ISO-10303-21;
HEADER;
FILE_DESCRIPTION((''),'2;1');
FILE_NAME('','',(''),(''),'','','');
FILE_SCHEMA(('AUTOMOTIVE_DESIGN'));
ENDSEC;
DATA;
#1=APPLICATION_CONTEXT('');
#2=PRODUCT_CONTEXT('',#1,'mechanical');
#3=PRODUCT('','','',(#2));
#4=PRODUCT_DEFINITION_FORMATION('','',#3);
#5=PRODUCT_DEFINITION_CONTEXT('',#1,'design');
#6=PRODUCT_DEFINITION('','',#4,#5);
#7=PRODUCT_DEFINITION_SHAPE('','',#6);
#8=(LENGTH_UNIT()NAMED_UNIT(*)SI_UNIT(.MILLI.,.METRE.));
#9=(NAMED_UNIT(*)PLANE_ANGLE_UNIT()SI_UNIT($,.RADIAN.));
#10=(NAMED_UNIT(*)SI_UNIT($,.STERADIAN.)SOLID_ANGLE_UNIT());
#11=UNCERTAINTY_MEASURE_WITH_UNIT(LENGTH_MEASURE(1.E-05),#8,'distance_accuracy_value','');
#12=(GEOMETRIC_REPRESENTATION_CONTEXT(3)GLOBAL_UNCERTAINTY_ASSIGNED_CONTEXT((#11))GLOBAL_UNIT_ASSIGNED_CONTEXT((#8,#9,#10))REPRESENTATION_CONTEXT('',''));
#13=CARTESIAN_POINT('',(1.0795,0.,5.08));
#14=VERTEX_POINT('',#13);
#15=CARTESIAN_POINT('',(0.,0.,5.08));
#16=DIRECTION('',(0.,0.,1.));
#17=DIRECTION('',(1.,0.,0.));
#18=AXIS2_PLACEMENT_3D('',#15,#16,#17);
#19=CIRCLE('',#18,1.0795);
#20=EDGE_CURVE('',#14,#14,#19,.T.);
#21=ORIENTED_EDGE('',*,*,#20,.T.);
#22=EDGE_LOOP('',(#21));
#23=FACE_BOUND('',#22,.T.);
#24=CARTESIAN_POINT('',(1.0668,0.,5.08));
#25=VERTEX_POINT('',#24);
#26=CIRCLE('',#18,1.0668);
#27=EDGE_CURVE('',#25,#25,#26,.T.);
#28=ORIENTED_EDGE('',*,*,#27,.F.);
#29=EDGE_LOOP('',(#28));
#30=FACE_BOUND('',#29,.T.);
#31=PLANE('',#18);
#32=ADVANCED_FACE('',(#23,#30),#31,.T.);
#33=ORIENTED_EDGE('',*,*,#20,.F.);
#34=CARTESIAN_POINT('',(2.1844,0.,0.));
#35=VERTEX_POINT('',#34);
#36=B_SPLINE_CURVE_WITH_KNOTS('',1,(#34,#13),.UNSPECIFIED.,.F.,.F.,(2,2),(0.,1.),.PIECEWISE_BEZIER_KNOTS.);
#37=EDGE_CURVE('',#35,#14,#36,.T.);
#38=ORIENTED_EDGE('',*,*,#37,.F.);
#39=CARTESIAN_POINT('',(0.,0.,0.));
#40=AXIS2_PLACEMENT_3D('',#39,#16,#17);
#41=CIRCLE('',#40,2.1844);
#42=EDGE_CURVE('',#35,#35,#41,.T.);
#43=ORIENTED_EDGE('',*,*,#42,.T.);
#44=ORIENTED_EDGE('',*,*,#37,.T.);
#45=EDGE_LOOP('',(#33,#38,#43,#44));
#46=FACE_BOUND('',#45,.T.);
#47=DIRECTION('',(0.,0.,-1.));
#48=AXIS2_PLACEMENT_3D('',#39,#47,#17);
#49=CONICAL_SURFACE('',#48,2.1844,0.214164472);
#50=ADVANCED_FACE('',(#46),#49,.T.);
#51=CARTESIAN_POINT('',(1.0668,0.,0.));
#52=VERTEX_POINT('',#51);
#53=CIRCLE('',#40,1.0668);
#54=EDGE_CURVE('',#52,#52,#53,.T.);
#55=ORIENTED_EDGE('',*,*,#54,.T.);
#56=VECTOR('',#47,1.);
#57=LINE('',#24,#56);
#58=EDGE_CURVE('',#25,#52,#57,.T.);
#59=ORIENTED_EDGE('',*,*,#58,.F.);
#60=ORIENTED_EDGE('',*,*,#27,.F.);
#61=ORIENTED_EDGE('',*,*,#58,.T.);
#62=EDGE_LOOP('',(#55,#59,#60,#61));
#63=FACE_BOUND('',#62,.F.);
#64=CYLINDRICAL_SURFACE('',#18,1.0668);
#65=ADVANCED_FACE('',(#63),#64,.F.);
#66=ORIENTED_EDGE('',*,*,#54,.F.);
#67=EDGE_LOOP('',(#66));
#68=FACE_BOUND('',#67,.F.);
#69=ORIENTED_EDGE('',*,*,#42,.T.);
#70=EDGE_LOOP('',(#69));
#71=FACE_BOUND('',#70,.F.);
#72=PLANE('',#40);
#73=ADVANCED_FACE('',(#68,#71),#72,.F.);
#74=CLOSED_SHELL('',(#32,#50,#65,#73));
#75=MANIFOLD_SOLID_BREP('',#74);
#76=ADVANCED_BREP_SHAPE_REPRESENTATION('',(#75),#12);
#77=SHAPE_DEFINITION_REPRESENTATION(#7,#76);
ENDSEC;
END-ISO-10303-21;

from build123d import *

# Parameters (mm, degrees)
F0_R     = 2.1844
F2_R     = 1.0795
F4_R     = 1.0668
F5_DEPTH = 127


with BuildPart() as f3:
    # F0 (on Top) → F3 section 0
    with BuildSketch(Plane.XY):
        Circle(F0_R)
    # F2 (on offset) → F3 section 1
    with BuildSketch(Plane.XY.offset(5.08)):
        Circle(F2_R)
    loft()

    # F4 (on face) → F5 (cut)
    with BuildSketch(Plane.XY.offset(5.08)):
        Circle(F4_R)
    extrude(amount=-F5_DEPTH, mode=Mode.SUBTRACT)


solid = f3.part
